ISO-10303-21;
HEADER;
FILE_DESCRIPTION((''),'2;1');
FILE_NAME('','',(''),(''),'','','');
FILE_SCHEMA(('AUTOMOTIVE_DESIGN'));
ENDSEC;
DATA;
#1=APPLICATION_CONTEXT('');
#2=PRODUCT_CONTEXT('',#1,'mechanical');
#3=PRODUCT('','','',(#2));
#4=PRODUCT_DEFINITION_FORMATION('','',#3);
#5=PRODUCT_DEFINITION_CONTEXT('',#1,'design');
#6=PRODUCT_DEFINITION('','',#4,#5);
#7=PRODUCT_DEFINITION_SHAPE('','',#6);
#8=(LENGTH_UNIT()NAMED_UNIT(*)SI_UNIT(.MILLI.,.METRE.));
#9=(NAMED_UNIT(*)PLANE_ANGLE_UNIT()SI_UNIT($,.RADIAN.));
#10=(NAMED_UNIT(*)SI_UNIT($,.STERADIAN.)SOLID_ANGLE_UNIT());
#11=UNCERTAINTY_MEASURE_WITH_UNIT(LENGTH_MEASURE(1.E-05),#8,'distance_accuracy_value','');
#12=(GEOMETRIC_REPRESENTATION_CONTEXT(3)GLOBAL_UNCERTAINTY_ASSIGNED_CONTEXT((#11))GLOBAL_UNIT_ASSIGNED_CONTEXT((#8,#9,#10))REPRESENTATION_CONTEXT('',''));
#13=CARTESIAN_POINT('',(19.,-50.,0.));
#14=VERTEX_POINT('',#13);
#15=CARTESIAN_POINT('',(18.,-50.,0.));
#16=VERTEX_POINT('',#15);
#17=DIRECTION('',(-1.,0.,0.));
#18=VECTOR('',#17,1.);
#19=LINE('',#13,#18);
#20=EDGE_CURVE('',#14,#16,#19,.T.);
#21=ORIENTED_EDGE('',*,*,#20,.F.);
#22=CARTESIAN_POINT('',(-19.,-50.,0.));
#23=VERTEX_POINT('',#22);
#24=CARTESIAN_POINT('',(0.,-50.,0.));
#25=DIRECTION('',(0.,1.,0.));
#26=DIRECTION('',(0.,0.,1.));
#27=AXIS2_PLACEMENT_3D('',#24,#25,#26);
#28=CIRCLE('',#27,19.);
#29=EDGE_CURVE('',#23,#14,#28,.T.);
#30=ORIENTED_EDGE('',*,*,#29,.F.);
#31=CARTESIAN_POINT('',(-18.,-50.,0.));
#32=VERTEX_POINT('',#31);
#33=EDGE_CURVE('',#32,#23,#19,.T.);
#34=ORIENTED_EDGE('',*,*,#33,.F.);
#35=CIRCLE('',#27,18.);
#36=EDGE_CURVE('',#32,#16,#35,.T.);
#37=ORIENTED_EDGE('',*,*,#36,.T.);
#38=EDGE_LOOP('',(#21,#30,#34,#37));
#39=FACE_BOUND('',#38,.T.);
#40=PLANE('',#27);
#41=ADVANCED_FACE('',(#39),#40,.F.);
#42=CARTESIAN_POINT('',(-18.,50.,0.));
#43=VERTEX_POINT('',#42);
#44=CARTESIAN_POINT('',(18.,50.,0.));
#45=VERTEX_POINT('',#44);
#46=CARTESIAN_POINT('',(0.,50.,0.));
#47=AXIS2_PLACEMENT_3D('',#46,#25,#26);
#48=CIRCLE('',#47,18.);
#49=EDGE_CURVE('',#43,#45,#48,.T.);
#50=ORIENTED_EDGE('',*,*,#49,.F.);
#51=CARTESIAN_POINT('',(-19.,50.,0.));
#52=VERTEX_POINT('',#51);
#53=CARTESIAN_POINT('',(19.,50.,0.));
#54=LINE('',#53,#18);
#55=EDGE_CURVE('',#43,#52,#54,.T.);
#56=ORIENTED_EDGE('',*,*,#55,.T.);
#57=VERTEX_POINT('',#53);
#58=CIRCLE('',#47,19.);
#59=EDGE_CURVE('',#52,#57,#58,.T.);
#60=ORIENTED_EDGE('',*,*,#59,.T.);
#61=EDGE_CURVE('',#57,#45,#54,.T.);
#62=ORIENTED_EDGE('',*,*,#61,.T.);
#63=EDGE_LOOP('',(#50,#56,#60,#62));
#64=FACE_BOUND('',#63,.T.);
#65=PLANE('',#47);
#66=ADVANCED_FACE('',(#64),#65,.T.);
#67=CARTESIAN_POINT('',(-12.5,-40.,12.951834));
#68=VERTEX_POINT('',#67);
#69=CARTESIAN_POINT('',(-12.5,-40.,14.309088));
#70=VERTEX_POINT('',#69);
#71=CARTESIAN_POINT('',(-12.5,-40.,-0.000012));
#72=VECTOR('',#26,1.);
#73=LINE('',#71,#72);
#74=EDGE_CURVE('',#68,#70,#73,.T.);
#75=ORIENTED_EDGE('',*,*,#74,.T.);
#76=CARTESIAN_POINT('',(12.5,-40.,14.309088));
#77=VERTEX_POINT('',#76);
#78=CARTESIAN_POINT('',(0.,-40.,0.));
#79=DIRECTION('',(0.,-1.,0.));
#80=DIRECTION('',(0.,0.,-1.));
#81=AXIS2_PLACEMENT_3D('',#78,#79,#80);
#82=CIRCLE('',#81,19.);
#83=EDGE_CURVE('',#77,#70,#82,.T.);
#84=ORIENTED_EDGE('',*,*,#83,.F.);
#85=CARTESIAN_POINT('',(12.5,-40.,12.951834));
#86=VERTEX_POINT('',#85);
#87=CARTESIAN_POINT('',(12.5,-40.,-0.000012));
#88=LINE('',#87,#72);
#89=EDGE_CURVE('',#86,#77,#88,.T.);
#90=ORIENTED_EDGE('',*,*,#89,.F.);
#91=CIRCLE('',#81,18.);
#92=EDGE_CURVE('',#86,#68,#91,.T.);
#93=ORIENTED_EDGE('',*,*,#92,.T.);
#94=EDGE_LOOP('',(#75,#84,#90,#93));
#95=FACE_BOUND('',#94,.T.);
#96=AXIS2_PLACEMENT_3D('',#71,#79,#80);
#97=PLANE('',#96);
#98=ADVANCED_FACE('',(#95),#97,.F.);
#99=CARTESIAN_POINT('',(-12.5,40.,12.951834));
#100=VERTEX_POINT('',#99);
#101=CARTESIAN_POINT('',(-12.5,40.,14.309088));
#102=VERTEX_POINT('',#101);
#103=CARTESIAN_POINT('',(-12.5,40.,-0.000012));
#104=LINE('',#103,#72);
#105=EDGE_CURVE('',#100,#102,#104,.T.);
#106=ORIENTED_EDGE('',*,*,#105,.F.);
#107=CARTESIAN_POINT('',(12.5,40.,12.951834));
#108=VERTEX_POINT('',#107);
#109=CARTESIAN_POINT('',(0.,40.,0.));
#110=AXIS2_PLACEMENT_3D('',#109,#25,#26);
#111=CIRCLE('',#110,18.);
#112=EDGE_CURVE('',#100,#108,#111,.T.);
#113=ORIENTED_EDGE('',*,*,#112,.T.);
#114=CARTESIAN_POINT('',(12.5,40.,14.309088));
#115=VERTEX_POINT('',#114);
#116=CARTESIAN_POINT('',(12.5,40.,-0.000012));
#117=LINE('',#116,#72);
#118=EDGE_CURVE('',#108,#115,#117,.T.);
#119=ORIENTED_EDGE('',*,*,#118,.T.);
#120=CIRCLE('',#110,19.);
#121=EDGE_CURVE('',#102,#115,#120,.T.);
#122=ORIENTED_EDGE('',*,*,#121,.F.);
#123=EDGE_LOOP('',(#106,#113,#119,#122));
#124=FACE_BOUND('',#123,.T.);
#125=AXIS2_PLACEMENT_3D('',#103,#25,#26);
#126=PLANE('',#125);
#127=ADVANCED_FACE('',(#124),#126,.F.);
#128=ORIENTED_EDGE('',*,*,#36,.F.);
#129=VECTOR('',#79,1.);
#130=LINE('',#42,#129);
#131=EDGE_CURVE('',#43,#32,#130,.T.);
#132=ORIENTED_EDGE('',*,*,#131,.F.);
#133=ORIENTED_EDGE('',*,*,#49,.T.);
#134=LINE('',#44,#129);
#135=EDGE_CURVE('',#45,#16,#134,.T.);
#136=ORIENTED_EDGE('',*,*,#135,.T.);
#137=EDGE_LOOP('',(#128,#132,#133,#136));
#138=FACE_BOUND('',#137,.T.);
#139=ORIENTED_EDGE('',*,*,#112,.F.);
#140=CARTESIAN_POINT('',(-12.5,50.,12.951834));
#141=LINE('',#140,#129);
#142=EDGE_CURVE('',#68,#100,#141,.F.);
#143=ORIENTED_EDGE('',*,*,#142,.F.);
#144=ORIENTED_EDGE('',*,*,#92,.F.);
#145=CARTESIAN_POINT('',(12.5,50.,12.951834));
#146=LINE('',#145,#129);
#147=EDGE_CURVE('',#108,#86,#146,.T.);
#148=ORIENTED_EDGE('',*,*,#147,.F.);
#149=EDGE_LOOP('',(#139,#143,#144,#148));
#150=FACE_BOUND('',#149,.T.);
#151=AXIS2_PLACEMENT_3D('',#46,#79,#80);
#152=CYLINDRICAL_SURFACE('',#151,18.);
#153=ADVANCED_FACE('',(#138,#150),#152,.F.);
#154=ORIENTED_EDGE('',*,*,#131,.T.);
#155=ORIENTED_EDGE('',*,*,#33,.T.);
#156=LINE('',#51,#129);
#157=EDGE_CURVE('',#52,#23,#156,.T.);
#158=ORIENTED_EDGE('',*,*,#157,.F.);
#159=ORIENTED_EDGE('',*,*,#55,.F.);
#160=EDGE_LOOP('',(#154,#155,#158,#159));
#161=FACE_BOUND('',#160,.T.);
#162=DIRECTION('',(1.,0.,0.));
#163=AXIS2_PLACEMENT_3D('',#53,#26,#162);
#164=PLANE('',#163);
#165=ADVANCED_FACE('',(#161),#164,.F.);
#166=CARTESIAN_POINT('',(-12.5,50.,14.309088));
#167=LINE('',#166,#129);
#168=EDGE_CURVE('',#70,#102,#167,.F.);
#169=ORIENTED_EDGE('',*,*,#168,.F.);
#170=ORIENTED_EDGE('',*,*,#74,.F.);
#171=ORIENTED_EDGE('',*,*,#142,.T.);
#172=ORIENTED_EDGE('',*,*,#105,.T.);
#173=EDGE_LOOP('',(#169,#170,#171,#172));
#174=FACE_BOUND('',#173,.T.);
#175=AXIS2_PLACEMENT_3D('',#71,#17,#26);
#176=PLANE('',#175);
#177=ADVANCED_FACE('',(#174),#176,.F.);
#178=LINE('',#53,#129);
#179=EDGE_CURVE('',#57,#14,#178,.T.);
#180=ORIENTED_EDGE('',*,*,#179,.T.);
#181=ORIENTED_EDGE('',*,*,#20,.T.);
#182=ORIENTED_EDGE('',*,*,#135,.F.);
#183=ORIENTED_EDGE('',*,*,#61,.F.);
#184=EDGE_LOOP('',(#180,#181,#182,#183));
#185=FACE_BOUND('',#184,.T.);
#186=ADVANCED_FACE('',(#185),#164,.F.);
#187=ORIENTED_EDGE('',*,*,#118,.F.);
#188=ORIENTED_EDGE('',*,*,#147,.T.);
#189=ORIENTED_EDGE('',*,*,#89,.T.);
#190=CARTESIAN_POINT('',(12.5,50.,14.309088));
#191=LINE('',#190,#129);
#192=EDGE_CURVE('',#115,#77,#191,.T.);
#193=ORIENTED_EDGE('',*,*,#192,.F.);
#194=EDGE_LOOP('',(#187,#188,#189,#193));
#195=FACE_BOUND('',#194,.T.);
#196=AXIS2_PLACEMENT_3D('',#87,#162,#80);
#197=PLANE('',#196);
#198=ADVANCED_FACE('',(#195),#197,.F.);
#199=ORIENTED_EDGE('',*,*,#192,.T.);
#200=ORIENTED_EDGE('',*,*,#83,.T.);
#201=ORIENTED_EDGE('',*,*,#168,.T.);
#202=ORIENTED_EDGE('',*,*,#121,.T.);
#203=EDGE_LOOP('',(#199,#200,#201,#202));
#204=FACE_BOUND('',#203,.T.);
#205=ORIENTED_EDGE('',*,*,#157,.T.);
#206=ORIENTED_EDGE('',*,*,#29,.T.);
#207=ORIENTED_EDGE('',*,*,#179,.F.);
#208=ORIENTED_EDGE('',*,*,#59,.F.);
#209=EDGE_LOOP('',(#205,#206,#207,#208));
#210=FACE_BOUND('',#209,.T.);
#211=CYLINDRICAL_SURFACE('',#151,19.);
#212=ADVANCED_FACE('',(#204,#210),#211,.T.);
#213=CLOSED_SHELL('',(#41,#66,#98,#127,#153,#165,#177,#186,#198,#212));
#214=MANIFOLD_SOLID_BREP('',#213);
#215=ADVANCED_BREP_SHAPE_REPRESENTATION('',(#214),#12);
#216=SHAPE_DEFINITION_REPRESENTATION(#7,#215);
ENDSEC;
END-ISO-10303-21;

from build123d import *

# Parameters (mm, degrees)
BOSS_EXTRUDE1_DEPTH     = 50
SHELL1_T                = -1
CUT_EXTRUDE1_DEPTH      = 57.762663785
CUT_EXTRUDE1_DEPTH_BACK = 57.762663785
SKETCH2_W               = 25
SKETCH2_H               = 80


with BuildPart() as part:
    # Sketch1 → Boss-Extrude1 (new, symmetric)
    with BuildSketch(Plane(origin=(0, 0, 0), x_dir=(1, 0, 0), z_dir=(0, 1, 0))):
        with BuildLine():
            Line((19, 0), (-19, 0))
            ThreePointArc((-19, 0), (0, -19), (19, 0))
        make_face()
    extrude(amount=BOSS_EXTRUDE1_DEPTH, both=True)

    # Shell1
    shell1_openings = [part.faces().sort_by_distance(p)[0] for p in [
        (0, 50, 8.06385045),
        (0, -50, 8.06385045),
        (0, 0, 0),
    ]]
    offset(amount=SHELL1_T, openings=shell1_openings)

    # Sketch2 → Cut-Extrude1 (cut, two sides: drawn at the far end of the back side and taken through both)
    with BuildSketch(Plane.XY.offset(-CUT_EXTRUDE1_DEPTH_BACK)):
        Rectangle(SKETCH2_W, SKETCH2_H)
    extrude(amount=CUT_EXTRUDE1_DEPTH + CUT_EXTRUDE1_DEPTH_BACK, mode=Mode.SUBTRACT)


solid = part.part
